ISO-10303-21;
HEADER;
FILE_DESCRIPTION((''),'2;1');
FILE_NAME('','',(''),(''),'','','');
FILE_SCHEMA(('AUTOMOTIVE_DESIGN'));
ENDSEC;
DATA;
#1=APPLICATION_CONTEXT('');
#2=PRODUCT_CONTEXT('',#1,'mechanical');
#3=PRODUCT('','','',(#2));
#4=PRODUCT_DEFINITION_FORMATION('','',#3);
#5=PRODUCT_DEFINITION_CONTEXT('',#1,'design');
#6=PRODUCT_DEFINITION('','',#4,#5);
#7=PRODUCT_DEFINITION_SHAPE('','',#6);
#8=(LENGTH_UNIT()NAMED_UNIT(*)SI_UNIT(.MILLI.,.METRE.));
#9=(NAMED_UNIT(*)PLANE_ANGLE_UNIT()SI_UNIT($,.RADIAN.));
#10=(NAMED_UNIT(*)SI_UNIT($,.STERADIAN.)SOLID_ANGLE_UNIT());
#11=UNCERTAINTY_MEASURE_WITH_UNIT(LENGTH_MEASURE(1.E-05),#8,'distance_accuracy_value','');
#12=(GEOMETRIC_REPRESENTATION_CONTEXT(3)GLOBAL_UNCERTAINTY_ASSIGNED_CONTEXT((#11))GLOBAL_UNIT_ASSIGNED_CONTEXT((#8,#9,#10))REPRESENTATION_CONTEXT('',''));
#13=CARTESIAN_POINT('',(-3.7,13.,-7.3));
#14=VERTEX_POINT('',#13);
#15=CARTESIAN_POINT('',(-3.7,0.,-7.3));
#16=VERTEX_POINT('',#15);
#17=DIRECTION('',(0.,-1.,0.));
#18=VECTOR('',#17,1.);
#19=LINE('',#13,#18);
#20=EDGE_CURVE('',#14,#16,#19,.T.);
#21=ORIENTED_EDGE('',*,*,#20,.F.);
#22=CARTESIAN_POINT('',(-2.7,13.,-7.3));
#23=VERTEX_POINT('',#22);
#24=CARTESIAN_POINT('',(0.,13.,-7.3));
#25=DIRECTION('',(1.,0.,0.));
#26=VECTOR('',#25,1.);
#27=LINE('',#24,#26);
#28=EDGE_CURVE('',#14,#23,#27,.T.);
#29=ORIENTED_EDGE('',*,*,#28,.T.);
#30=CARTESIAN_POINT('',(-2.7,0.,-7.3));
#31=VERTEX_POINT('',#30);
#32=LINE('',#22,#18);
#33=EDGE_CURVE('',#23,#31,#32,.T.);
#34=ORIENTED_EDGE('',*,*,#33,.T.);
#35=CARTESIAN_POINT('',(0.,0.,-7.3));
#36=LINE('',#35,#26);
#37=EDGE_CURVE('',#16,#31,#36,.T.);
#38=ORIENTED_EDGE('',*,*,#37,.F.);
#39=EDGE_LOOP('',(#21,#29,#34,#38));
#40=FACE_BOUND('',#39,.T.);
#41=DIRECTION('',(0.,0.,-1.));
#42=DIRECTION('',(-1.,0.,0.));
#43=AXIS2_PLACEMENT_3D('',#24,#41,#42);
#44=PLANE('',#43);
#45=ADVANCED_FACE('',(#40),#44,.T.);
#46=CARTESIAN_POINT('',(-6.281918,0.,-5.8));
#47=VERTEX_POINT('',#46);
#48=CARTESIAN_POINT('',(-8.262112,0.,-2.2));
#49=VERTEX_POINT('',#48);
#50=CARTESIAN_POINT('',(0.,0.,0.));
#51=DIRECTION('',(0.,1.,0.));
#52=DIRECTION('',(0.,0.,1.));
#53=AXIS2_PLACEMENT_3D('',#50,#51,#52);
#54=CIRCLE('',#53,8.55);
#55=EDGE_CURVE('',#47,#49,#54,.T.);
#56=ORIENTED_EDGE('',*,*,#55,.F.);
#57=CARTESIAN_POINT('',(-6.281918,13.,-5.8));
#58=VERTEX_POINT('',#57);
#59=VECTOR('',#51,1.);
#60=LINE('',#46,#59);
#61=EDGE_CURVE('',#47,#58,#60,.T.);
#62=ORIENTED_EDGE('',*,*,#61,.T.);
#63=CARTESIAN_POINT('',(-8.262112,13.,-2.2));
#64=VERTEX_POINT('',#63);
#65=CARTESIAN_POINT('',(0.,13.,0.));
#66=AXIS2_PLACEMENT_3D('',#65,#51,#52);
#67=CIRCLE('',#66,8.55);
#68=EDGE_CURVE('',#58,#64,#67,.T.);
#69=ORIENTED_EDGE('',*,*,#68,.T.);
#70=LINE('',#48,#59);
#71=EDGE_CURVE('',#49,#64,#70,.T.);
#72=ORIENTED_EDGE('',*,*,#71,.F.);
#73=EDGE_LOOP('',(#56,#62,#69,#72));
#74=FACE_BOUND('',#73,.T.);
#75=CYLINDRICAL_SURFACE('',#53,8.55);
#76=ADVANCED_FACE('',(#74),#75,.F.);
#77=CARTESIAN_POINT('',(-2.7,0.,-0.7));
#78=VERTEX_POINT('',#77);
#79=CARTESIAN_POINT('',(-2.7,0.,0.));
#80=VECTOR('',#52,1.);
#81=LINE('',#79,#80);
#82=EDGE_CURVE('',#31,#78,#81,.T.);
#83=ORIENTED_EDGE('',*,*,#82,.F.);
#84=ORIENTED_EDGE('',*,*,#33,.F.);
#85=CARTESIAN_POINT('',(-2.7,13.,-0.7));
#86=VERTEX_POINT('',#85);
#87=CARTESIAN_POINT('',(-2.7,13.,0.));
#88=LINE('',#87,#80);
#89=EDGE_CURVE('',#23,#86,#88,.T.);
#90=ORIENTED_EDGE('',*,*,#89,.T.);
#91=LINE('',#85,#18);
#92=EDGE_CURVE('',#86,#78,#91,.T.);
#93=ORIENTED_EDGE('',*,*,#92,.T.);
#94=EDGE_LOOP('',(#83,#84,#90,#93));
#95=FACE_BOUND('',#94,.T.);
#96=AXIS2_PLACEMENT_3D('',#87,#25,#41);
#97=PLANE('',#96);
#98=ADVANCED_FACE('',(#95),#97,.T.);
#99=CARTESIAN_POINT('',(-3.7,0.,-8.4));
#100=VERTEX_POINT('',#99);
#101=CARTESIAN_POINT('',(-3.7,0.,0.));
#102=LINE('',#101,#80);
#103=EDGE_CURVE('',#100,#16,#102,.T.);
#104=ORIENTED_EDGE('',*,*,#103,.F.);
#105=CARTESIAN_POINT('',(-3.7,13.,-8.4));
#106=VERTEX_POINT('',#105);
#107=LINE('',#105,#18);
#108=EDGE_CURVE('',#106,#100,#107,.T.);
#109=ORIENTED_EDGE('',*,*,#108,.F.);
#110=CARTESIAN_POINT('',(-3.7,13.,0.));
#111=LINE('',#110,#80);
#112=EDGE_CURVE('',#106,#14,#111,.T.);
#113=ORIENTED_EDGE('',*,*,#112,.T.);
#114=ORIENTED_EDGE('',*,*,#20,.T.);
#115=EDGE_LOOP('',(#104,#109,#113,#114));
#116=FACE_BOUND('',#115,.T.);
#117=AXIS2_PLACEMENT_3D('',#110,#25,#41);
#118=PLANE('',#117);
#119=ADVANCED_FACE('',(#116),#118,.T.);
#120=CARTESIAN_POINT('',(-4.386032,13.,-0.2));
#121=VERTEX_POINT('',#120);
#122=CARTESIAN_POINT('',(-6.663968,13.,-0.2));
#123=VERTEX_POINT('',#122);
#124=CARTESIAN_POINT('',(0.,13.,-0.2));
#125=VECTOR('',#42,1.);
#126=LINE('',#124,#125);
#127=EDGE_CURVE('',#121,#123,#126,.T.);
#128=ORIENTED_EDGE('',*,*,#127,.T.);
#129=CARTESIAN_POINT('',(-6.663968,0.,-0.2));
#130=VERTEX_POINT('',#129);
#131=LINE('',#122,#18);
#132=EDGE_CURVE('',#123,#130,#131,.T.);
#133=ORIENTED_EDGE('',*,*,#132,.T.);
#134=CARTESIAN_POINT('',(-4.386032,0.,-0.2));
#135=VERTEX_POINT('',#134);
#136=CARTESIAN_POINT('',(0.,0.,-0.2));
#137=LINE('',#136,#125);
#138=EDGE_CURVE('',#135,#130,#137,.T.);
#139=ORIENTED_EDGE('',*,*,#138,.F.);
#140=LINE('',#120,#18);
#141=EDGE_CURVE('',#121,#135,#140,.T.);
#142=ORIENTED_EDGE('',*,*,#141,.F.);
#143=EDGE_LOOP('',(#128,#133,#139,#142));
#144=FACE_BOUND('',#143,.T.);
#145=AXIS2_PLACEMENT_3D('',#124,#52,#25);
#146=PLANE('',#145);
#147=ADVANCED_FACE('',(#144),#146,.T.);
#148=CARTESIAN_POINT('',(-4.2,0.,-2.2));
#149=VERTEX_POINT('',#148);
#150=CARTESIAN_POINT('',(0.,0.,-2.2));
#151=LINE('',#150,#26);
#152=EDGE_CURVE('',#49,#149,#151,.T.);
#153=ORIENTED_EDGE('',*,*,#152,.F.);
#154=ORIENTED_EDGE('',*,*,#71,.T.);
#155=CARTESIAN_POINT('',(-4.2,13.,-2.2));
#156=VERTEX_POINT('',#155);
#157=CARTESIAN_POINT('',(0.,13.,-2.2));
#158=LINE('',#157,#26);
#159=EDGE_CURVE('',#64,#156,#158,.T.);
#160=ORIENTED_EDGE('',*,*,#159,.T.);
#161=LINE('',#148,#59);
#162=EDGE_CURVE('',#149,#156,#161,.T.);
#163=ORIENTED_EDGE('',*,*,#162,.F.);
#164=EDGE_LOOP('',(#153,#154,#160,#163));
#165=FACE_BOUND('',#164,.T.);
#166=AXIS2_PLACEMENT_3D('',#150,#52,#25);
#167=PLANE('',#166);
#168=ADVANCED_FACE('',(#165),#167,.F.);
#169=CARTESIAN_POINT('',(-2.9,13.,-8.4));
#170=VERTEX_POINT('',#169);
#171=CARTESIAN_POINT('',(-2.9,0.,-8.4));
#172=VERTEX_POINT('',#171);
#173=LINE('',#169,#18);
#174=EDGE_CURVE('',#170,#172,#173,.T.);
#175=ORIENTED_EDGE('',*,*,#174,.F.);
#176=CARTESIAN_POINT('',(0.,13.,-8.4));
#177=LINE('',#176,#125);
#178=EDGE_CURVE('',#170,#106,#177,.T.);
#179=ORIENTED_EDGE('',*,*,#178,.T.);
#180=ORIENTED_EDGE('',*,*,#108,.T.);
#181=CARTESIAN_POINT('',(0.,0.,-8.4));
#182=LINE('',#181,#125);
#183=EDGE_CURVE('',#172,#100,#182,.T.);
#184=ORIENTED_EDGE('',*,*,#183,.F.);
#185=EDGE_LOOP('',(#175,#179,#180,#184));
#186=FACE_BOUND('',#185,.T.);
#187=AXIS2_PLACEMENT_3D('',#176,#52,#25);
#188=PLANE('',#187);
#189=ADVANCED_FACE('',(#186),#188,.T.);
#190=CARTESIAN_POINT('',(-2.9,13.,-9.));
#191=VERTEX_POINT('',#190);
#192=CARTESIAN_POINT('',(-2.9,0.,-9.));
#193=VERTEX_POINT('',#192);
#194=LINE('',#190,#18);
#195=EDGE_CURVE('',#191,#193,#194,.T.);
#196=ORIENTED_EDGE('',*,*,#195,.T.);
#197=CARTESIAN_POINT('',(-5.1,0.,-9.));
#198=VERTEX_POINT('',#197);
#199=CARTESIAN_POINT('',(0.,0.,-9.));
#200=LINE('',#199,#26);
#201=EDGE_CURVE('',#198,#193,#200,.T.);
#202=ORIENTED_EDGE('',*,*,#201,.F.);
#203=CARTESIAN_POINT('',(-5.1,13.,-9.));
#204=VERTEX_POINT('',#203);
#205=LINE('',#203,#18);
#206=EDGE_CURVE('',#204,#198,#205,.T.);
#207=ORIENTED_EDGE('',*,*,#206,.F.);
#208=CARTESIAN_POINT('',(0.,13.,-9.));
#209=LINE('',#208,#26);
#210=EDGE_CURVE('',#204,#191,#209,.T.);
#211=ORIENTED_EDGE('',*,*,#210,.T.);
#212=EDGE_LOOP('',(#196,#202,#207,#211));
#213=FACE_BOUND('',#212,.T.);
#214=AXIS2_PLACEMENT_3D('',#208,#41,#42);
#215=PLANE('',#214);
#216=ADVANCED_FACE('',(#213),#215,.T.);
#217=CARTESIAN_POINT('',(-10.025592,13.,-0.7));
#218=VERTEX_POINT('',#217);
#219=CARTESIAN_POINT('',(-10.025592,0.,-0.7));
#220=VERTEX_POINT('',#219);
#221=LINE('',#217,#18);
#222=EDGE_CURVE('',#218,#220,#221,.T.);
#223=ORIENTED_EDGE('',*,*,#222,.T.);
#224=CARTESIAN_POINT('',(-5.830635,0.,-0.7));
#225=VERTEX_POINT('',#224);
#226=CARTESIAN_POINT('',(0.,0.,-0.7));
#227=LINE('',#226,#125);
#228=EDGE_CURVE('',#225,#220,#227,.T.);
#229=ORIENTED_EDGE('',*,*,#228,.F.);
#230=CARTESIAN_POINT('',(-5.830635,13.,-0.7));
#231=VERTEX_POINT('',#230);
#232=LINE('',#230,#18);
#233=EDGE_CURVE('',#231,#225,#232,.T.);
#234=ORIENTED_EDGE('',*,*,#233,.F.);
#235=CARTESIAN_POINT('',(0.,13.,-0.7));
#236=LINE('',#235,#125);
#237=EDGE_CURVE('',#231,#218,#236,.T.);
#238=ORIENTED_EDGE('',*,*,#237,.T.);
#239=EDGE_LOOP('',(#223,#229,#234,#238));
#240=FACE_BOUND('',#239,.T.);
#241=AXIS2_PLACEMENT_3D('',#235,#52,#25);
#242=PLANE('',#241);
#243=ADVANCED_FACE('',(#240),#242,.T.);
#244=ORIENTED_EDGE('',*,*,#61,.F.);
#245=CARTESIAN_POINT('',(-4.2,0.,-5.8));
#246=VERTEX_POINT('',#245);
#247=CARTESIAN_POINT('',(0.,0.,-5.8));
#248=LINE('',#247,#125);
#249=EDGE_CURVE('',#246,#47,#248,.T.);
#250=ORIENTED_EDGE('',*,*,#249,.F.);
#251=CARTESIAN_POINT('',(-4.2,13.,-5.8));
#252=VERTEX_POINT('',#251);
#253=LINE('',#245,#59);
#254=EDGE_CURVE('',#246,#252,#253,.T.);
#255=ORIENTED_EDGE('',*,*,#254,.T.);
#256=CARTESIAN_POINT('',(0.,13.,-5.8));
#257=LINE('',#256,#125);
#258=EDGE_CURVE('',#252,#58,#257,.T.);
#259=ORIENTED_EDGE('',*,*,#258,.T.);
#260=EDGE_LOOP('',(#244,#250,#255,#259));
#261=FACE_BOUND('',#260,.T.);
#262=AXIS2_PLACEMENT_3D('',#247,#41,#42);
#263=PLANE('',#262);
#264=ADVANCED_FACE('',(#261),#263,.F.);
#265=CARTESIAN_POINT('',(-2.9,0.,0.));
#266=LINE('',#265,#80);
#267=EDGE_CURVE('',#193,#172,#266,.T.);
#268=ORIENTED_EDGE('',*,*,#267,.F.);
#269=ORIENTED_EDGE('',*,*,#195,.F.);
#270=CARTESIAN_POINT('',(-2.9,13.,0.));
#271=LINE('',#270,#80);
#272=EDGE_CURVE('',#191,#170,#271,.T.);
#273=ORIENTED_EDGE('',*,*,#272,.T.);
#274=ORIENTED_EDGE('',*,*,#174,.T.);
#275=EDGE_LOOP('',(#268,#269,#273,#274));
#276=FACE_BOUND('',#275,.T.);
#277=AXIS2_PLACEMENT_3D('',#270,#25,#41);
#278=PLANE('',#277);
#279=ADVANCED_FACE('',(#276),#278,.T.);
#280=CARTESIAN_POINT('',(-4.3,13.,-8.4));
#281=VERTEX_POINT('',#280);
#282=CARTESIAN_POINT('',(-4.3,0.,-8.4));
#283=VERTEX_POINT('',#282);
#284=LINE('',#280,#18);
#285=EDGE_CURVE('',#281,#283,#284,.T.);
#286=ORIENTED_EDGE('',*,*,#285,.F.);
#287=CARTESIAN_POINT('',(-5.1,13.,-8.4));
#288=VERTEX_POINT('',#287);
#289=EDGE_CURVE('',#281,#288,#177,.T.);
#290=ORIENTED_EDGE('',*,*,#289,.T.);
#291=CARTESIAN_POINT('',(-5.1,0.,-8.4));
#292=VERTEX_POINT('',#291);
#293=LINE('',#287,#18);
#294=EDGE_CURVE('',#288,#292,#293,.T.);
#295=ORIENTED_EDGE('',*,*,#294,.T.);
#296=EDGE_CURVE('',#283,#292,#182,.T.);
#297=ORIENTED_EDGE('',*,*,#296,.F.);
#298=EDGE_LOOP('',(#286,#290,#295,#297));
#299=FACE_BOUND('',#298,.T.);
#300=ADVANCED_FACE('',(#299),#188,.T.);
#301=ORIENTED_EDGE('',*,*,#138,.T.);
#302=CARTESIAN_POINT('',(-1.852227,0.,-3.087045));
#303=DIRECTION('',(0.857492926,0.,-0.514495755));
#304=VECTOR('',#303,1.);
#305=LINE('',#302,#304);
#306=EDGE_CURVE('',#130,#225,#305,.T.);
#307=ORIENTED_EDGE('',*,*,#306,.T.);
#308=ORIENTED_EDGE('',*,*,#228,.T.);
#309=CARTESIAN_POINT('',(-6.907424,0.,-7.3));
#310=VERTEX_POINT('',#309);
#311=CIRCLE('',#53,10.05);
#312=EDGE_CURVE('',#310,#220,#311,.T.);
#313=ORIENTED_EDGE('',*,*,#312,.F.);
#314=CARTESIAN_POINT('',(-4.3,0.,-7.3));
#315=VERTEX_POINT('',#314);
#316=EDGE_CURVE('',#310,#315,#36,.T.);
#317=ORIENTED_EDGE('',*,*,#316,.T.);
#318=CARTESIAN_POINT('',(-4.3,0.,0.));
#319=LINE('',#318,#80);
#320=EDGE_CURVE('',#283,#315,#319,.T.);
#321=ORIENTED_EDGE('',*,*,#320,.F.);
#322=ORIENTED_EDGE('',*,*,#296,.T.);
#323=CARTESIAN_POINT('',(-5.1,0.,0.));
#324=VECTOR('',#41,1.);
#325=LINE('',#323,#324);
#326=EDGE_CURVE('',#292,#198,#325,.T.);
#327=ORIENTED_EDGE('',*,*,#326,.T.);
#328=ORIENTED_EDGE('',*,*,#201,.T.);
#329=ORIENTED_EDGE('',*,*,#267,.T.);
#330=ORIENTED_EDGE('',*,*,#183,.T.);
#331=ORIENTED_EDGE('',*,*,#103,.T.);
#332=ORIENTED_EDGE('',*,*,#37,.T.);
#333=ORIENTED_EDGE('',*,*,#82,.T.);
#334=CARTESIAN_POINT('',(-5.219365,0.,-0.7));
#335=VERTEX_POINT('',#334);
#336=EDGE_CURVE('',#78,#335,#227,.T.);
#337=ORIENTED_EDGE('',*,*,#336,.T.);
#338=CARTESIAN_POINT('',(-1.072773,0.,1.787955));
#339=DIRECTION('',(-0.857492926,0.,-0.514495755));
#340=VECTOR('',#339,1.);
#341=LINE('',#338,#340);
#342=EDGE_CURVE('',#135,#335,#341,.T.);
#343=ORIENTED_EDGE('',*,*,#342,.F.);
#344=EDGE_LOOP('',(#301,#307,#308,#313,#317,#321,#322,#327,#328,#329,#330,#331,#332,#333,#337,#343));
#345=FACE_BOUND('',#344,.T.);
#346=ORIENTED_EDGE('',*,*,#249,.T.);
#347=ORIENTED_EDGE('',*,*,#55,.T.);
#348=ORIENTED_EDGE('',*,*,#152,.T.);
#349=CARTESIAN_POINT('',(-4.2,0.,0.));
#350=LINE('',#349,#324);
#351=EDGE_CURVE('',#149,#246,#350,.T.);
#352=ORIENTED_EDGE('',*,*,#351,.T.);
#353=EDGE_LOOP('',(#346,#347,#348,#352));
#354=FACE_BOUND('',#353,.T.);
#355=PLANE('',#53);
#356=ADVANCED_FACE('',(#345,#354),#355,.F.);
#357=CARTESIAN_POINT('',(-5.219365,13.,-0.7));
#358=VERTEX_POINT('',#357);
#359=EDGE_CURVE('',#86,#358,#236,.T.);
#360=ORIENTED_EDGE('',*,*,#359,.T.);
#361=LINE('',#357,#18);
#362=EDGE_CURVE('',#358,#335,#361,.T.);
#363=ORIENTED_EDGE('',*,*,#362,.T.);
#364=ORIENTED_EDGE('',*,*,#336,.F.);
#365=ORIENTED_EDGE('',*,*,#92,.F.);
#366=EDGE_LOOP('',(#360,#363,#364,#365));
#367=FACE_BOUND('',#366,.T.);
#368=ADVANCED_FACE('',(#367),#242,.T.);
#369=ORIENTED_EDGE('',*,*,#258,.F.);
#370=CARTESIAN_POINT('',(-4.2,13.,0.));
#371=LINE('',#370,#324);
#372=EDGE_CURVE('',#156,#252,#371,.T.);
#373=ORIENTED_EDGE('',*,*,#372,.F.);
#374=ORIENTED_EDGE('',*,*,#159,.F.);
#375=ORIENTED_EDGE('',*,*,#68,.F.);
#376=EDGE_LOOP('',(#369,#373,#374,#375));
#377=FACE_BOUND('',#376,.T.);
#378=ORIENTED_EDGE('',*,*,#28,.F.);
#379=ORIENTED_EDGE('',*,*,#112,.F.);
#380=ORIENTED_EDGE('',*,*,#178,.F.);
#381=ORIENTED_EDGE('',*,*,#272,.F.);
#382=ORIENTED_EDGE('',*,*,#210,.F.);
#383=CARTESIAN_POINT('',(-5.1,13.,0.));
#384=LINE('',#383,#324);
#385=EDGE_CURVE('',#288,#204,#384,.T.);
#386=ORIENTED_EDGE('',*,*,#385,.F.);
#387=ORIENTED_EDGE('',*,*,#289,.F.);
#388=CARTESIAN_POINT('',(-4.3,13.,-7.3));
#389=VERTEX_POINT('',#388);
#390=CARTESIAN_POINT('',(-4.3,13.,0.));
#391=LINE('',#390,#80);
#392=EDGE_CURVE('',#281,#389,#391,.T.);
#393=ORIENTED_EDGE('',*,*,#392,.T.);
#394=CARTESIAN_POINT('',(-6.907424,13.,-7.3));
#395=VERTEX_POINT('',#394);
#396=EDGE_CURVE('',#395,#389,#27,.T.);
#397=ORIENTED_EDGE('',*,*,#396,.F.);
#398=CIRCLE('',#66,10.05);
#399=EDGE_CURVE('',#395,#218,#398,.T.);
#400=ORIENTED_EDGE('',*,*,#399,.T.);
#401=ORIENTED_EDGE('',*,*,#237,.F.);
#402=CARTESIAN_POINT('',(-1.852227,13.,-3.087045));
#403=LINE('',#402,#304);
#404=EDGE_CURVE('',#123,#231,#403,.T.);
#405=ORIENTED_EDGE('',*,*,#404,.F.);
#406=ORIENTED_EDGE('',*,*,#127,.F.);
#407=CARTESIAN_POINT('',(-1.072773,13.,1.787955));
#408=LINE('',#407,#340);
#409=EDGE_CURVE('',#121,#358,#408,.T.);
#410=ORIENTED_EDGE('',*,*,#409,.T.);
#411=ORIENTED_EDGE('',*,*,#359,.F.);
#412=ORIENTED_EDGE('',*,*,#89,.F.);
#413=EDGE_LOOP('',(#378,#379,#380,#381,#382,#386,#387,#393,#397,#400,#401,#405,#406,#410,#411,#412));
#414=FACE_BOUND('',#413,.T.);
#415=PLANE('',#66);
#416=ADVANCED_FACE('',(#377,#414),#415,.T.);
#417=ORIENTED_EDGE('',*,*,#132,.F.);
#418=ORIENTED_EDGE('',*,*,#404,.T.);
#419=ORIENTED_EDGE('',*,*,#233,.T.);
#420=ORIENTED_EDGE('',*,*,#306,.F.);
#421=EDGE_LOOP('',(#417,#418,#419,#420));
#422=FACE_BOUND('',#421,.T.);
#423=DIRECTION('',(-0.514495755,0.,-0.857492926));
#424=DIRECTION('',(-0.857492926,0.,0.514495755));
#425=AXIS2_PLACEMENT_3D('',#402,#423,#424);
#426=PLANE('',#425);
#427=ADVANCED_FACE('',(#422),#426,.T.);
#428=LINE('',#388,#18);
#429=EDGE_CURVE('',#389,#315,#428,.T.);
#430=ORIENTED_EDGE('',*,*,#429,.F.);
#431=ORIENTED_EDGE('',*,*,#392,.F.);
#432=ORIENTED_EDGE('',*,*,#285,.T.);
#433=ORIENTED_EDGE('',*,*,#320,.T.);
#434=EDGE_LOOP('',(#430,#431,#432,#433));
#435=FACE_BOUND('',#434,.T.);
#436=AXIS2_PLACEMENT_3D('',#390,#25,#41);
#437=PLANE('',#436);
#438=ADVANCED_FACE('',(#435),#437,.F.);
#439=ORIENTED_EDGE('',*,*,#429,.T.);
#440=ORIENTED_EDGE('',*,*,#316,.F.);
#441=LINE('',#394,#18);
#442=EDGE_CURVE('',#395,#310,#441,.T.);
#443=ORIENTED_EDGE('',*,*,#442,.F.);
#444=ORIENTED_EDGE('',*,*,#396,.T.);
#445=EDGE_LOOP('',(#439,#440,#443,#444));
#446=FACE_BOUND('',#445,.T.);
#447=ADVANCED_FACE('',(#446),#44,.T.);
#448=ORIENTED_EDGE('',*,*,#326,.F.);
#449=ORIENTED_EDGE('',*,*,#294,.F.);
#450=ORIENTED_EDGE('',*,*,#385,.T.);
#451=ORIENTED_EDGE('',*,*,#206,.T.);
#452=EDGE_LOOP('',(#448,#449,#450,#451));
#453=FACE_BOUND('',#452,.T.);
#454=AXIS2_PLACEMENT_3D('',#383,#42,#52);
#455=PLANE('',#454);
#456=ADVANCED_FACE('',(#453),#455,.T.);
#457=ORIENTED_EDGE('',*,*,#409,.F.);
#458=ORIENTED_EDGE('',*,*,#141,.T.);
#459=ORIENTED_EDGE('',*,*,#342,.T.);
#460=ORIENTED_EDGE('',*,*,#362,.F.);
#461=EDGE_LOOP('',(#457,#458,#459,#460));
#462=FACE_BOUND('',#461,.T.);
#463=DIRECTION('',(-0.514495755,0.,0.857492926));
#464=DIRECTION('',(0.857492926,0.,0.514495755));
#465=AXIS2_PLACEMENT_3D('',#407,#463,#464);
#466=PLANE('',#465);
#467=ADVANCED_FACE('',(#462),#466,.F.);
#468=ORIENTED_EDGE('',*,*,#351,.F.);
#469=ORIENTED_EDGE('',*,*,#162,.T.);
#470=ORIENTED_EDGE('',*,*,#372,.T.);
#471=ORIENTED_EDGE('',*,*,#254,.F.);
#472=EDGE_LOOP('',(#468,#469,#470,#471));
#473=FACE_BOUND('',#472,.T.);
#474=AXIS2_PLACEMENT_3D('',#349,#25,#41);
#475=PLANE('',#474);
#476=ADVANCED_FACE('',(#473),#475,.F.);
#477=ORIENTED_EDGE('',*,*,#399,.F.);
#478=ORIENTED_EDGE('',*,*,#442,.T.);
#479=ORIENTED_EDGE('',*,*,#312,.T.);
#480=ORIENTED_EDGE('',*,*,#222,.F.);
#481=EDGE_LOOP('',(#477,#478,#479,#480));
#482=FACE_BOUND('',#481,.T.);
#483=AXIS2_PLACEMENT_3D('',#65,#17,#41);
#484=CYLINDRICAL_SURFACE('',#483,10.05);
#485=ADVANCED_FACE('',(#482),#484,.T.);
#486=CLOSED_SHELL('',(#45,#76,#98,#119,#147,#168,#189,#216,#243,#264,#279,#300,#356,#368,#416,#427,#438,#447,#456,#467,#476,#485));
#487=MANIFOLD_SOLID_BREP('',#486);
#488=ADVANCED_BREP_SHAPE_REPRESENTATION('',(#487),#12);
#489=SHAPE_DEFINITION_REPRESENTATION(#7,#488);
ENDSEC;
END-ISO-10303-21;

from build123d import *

# Parameters (mm, degrees)
SKETCH1_W           = 0.6
SKETCH1_H           = 0.2
BOSS_EXTRUDE1_DEPTH = 13
CUT_EXTRUDE1_DEPTH  = 14


with BuildPart() as part:
    # Sketch1 → Boss-Extrude1 (new body)
    with BuildSketch(Plane(origin=(0, 0, 0), x_dir=(1, 0, 0), z_dir=(0, 1, 0))):
        with BuildLine():
            Line((-2.7, 0.7), (-2.7, 7.3))
            Line((-2.7, 7.3), (-3.7, 7.3))
            Line((-3.7, 7.3), (-4.3, 7.3))
            Line((-4.3, 7.3), (-6.907423543, 7.3))
            ThreePointArc((-6.907423543, 7.3), (-9.08690024, 4.293104241), (-10.025592252, 0.7))
            Line((-10.025592252, 0.7), (-6.025, 0.7))
            Line((-6.025, 0.7), (-5.830634937, 0.7))
            Line((-5.830634937, 0.7), (-5.219365063, 0.7))
            Line((-5.219365063, 0.7), (-5.025, 0.7))
            Line((-5.025, 0.7), (-2.7, 0.7))
        make_face()
        Polygon((-5.076449576, 0.614250707), (-5.219365063, 0.7), (-5.830634937, 0.7), (-5.973550424, 0.614250707), (-6.16396827, 0.5), (-4.88603173, 0.5), align=None)
        Polygon((-4.576449576, 0.314250707), (-4.88603173, 0.5), (-6.16396827, 0.5), (-6.473550424, 0.314250707), (-6.66396827, 0.2), (-4.38603173, 0.2), align=None)
        with Locations((-4, 7.4)):
            Rectangle(SKETCH1_W, SKETCH1_H)
        with BuildLine():
            Line((-4.3, 7.5), (-3.7, 7.5))
            Line((-3.7, 7.5), (-3.7, 8.4))
            Line((-3.7, 8.4), (-2.9, 8.4))
            Line((-2.9, 8.4), (-2.9, 9))
            Line((-2.9, 9), (-4.472415455, 9))
            ThreePointArc((-4.472415455, 9), (-4.789229045, 8.835484432), (-5.1, 8.659821014))
            Line((-5.1, 8.659821014), (-5.1, 8.4))
            Line((-5.1, 8.4), (-4.3, 8.4))
            Line((-4.3, 8.4), (-4.3, 7.5))
        make_face()
        with BuildLine():
            Line((-5.1, 8.891147283), (-5.1, 8.659821014))
            ThreePointArc((-5.1, 8.659821014), (-4.789229045, 8.835484432), (-4.472415455, 9))
            Line((-4.472415455, 9), (-4.905354218, 9))
            ThreePointArc((-4.905354218, 9), (-5.002973164, 8.946103035), (-5.1, 8.891147283))
        make_face()
        with BuildLine():
            Line((-5.1, 9), (-5.1, 8.891147283))
            ThreePointArc((-5.1, 8.891147283), (-5.002973164, 8.946103035), (-4.905354218, 9))
            Line((-4.905354218, 9), (-5.1, 9))
        make_face()
    extrude(amount=BOSS_EXTRUDE1_DEPTH)

    # Sketch2 → Cut-Extrude1 (cut, through all)
    with BuildSketch(Plane(origin=(0, 13, 0), x_dir=(1, 0, 0), z_dir=(0, 1, 0))):
        with BuildLine():
            Line((-4.2, 5.8), (-6.281918497, 5.8))
            ThreePointArc((-6.281918497, 5.8), (-7.491475696, 4.120714974), (-8.262112321, 2.2))
            Line((-8.262112321, 2.2), (-4.2, 2.2))
            Line((-4.2, 2.2), (-4.2, 5.8))
        make_face()
    extrude(amount=-CUT_EXTRUDE1_DEPTH, mode=Mode.SUBTRACT)


solid = part.part
